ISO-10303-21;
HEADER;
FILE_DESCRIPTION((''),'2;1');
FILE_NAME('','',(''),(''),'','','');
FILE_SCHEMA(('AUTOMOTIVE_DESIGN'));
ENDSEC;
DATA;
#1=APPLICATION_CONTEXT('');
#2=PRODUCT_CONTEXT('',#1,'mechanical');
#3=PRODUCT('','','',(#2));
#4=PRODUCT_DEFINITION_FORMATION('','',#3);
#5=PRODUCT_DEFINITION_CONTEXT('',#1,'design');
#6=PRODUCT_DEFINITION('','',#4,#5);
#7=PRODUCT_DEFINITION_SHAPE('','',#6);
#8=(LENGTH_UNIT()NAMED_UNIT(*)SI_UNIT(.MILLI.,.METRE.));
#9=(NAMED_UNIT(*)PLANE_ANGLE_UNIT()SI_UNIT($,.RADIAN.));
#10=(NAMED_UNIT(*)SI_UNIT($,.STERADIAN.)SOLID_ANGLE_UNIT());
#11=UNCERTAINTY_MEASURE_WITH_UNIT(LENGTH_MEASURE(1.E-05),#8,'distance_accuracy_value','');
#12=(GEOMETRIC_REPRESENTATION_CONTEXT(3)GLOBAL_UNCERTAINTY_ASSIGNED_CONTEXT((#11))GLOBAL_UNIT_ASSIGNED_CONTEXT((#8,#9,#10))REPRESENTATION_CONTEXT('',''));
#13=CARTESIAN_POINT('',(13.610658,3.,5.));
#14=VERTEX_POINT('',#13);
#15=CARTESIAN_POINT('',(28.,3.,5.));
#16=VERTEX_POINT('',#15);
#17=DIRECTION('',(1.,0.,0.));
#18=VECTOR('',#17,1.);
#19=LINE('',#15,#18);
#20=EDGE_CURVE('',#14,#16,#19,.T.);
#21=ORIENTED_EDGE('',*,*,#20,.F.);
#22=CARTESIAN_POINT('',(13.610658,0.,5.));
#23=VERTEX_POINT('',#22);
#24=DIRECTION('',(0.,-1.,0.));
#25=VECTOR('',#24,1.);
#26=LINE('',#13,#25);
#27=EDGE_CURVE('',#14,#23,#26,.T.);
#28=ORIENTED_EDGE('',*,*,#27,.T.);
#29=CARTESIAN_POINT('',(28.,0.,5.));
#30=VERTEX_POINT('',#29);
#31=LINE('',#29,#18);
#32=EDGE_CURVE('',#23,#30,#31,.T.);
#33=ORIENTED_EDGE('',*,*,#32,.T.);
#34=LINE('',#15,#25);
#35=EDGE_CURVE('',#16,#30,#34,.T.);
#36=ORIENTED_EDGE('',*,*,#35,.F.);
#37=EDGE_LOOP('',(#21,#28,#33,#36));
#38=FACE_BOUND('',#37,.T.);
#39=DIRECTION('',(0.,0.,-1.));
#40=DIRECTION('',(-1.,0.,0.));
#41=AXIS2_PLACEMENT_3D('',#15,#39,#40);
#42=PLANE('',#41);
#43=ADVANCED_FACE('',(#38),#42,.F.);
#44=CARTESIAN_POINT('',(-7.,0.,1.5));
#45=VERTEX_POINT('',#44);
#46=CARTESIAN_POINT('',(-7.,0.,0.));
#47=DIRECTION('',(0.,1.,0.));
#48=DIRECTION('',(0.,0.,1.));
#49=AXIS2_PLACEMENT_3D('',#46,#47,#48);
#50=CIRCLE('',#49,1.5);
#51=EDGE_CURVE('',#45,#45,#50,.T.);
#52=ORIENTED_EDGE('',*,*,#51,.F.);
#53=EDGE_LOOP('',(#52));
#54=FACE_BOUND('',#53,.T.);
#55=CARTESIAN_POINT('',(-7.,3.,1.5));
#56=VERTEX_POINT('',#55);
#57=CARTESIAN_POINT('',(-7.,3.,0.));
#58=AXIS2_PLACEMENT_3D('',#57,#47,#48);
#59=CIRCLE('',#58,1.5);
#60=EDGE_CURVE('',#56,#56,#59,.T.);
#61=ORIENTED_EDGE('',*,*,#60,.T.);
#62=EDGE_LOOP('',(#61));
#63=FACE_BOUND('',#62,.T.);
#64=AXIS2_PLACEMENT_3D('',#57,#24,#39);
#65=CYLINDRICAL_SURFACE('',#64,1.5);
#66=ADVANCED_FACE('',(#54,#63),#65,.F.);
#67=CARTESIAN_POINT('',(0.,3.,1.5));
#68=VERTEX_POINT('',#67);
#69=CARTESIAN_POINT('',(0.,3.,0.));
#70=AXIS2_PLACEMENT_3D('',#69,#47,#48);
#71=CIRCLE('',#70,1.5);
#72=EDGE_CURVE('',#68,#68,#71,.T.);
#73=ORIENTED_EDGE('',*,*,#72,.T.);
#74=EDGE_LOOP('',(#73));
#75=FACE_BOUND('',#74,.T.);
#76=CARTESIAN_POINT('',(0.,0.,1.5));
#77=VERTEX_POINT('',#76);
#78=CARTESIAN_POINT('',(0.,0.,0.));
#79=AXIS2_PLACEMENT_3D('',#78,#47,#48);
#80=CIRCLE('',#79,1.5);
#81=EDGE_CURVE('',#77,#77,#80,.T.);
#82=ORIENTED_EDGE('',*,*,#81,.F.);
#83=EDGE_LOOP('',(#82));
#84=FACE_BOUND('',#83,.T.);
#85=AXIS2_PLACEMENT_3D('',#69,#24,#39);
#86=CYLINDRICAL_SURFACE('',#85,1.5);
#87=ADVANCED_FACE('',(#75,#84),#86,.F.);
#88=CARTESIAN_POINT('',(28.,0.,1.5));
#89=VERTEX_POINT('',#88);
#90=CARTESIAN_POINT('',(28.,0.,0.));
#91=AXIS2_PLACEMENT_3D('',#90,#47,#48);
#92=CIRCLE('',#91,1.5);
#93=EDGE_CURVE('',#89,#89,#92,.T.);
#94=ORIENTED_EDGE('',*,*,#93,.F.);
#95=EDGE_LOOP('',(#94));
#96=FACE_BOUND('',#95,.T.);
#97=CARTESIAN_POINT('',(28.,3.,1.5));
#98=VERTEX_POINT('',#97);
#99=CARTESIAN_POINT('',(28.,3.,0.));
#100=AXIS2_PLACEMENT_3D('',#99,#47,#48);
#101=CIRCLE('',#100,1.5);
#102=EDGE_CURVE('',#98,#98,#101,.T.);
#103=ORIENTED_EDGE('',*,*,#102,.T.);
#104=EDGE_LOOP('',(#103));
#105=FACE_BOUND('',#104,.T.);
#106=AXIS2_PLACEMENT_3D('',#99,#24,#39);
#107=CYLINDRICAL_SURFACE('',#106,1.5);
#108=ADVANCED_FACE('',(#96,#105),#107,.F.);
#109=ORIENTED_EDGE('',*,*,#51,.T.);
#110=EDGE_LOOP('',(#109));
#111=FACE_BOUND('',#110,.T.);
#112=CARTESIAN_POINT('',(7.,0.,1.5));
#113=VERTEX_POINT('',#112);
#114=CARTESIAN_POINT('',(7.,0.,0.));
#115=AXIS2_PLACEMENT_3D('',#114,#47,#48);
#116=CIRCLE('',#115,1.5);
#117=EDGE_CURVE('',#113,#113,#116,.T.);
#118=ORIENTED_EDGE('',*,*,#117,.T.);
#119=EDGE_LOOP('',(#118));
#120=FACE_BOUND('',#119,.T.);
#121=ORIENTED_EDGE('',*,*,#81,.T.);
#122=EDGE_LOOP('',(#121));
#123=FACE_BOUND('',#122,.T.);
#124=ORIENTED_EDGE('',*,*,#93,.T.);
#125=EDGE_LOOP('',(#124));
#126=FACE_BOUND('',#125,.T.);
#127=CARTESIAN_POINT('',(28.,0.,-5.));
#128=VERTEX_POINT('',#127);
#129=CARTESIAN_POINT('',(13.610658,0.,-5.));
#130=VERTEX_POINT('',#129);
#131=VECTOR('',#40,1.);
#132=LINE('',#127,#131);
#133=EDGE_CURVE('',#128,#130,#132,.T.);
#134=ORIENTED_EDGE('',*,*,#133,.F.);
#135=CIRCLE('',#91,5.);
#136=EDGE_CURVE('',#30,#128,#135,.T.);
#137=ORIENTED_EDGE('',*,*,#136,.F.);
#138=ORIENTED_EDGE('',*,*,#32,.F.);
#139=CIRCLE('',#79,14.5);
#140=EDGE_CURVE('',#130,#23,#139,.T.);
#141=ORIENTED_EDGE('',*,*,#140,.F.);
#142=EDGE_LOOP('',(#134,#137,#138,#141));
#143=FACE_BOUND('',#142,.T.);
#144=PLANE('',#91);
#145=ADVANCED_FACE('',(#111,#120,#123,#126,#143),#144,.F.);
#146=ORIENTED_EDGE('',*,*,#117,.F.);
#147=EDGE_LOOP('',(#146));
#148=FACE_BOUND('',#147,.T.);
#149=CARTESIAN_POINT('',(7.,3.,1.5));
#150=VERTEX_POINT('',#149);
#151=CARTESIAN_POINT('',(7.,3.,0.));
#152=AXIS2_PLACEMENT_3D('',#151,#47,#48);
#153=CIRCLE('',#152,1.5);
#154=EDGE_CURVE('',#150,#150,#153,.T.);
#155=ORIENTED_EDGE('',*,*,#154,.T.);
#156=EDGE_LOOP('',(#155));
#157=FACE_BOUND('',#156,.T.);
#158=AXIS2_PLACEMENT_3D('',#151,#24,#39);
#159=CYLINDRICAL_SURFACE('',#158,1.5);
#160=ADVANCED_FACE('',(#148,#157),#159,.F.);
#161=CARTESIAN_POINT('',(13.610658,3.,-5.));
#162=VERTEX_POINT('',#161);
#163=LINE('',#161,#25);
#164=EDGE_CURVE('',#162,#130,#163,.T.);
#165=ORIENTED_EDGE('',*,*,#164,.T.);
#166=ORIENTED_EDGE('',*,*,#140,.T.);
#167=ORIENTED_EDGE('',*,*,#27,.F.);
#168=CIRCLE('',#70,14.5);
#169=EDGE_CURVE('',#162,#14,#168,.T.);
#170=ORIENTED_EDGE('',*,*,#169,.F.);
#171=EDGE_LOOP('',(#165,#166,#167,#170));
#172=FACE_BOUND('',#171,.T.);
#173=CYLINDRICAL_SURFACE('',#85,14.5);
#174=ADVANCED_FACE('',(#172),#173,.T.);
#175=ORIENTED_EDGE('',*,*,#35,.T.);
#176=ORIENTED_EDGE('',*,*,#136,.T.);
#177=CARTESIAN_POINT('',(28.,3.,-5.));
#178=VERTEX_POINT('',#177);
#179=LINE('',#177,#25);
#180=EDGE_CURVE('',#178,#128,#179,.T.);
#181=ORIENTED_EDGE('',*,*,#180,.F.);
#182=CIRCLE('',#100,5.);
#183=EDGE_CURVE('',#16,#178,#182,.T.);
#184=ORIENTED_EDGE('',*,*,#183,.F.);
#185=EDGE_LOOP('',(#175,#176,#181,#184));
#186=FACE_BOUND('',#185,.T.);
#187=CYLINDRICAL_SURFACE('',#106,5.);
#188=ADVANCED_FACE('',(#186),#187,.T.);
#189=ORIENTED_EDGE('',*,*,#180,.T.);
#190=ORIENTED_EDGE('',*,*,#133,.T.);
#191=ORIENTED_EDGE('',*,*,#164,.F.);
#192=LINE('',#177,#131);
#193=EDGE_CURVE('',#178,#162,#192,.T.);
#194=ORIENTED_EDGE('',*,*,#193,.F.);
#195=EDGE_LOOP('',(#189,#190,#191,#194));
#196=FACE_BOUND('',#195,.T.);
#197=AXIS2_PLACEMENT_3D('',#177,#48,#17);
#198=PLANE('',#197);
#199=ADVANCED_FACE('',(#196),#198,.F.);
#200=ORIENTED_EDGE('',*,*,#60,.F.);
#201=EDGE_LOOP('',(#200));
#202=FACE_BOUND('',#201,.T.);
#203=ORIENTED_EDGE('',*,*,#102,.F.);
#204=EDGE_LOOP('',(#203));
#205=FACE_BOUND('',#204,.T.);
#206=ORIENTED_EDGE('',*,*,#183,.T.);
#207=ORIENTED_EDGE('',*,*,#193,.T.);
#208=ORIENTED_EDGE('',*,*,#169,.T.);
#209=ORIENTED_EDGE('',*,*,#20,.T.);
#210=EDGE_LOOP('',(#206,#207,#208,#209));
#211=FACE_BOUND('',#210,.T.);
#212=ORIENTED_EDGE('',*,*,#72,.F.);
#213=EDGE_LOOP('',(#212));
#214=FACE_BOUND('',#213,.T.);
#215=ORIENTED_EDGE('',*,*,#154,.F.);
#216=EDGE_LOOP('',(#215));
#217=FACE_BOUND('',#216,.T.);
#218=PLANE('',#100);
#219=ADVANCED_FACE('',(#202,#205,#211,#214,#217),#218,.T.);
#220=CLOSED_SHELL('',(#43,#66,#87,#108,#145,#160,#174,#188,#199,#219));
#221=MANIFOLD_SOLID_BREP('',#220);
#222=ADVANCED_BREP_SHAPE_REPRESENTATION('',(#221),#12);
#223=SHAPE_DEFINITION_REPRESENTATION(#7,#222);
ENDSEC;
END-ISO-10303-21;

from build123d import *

# Parameters (mm, degrees)
SKETCH1_R           = 1.5
BOSS_EXTRUDE1_DEPTH = 3


with BuildPart() as part:
    # Sketch1 → Boss-Extrude1 (new body)
    with BuildSketch(Plane(origin=(0, 0, 0), x_dir=(1, 0, 0), z_dir=(0, 1, 0))):
        with BuildLine():
            Line((28, 5), (13.610657589, 5))
            ThreePointArc((13.610657589, 5), (-14.5, 0), (13.610657589, -5))
            Line((13.610657589, -5), (28, -5))
            ThreePointArc((28, -5), (33, 0), (28, 5))
        make_face()
        with Locations((28, 0)):
            Circle(SKETCH1_R, mode=Mode.SUBTRACT)
        Circle(SKETCH1_R, mode=Mode.SUBTRACT)
        with Locations((7, 0)):
            Circle(SKETCH1_R, mode=Mode.SUBTRACT)
        with Locations((-7, 0)):
            Circle(SKETCH1_R, mode=Mode.SUBTRACT)
    extrude(amount=BOSS_EXTRUDE1_DEPTH)


solid = part.part
